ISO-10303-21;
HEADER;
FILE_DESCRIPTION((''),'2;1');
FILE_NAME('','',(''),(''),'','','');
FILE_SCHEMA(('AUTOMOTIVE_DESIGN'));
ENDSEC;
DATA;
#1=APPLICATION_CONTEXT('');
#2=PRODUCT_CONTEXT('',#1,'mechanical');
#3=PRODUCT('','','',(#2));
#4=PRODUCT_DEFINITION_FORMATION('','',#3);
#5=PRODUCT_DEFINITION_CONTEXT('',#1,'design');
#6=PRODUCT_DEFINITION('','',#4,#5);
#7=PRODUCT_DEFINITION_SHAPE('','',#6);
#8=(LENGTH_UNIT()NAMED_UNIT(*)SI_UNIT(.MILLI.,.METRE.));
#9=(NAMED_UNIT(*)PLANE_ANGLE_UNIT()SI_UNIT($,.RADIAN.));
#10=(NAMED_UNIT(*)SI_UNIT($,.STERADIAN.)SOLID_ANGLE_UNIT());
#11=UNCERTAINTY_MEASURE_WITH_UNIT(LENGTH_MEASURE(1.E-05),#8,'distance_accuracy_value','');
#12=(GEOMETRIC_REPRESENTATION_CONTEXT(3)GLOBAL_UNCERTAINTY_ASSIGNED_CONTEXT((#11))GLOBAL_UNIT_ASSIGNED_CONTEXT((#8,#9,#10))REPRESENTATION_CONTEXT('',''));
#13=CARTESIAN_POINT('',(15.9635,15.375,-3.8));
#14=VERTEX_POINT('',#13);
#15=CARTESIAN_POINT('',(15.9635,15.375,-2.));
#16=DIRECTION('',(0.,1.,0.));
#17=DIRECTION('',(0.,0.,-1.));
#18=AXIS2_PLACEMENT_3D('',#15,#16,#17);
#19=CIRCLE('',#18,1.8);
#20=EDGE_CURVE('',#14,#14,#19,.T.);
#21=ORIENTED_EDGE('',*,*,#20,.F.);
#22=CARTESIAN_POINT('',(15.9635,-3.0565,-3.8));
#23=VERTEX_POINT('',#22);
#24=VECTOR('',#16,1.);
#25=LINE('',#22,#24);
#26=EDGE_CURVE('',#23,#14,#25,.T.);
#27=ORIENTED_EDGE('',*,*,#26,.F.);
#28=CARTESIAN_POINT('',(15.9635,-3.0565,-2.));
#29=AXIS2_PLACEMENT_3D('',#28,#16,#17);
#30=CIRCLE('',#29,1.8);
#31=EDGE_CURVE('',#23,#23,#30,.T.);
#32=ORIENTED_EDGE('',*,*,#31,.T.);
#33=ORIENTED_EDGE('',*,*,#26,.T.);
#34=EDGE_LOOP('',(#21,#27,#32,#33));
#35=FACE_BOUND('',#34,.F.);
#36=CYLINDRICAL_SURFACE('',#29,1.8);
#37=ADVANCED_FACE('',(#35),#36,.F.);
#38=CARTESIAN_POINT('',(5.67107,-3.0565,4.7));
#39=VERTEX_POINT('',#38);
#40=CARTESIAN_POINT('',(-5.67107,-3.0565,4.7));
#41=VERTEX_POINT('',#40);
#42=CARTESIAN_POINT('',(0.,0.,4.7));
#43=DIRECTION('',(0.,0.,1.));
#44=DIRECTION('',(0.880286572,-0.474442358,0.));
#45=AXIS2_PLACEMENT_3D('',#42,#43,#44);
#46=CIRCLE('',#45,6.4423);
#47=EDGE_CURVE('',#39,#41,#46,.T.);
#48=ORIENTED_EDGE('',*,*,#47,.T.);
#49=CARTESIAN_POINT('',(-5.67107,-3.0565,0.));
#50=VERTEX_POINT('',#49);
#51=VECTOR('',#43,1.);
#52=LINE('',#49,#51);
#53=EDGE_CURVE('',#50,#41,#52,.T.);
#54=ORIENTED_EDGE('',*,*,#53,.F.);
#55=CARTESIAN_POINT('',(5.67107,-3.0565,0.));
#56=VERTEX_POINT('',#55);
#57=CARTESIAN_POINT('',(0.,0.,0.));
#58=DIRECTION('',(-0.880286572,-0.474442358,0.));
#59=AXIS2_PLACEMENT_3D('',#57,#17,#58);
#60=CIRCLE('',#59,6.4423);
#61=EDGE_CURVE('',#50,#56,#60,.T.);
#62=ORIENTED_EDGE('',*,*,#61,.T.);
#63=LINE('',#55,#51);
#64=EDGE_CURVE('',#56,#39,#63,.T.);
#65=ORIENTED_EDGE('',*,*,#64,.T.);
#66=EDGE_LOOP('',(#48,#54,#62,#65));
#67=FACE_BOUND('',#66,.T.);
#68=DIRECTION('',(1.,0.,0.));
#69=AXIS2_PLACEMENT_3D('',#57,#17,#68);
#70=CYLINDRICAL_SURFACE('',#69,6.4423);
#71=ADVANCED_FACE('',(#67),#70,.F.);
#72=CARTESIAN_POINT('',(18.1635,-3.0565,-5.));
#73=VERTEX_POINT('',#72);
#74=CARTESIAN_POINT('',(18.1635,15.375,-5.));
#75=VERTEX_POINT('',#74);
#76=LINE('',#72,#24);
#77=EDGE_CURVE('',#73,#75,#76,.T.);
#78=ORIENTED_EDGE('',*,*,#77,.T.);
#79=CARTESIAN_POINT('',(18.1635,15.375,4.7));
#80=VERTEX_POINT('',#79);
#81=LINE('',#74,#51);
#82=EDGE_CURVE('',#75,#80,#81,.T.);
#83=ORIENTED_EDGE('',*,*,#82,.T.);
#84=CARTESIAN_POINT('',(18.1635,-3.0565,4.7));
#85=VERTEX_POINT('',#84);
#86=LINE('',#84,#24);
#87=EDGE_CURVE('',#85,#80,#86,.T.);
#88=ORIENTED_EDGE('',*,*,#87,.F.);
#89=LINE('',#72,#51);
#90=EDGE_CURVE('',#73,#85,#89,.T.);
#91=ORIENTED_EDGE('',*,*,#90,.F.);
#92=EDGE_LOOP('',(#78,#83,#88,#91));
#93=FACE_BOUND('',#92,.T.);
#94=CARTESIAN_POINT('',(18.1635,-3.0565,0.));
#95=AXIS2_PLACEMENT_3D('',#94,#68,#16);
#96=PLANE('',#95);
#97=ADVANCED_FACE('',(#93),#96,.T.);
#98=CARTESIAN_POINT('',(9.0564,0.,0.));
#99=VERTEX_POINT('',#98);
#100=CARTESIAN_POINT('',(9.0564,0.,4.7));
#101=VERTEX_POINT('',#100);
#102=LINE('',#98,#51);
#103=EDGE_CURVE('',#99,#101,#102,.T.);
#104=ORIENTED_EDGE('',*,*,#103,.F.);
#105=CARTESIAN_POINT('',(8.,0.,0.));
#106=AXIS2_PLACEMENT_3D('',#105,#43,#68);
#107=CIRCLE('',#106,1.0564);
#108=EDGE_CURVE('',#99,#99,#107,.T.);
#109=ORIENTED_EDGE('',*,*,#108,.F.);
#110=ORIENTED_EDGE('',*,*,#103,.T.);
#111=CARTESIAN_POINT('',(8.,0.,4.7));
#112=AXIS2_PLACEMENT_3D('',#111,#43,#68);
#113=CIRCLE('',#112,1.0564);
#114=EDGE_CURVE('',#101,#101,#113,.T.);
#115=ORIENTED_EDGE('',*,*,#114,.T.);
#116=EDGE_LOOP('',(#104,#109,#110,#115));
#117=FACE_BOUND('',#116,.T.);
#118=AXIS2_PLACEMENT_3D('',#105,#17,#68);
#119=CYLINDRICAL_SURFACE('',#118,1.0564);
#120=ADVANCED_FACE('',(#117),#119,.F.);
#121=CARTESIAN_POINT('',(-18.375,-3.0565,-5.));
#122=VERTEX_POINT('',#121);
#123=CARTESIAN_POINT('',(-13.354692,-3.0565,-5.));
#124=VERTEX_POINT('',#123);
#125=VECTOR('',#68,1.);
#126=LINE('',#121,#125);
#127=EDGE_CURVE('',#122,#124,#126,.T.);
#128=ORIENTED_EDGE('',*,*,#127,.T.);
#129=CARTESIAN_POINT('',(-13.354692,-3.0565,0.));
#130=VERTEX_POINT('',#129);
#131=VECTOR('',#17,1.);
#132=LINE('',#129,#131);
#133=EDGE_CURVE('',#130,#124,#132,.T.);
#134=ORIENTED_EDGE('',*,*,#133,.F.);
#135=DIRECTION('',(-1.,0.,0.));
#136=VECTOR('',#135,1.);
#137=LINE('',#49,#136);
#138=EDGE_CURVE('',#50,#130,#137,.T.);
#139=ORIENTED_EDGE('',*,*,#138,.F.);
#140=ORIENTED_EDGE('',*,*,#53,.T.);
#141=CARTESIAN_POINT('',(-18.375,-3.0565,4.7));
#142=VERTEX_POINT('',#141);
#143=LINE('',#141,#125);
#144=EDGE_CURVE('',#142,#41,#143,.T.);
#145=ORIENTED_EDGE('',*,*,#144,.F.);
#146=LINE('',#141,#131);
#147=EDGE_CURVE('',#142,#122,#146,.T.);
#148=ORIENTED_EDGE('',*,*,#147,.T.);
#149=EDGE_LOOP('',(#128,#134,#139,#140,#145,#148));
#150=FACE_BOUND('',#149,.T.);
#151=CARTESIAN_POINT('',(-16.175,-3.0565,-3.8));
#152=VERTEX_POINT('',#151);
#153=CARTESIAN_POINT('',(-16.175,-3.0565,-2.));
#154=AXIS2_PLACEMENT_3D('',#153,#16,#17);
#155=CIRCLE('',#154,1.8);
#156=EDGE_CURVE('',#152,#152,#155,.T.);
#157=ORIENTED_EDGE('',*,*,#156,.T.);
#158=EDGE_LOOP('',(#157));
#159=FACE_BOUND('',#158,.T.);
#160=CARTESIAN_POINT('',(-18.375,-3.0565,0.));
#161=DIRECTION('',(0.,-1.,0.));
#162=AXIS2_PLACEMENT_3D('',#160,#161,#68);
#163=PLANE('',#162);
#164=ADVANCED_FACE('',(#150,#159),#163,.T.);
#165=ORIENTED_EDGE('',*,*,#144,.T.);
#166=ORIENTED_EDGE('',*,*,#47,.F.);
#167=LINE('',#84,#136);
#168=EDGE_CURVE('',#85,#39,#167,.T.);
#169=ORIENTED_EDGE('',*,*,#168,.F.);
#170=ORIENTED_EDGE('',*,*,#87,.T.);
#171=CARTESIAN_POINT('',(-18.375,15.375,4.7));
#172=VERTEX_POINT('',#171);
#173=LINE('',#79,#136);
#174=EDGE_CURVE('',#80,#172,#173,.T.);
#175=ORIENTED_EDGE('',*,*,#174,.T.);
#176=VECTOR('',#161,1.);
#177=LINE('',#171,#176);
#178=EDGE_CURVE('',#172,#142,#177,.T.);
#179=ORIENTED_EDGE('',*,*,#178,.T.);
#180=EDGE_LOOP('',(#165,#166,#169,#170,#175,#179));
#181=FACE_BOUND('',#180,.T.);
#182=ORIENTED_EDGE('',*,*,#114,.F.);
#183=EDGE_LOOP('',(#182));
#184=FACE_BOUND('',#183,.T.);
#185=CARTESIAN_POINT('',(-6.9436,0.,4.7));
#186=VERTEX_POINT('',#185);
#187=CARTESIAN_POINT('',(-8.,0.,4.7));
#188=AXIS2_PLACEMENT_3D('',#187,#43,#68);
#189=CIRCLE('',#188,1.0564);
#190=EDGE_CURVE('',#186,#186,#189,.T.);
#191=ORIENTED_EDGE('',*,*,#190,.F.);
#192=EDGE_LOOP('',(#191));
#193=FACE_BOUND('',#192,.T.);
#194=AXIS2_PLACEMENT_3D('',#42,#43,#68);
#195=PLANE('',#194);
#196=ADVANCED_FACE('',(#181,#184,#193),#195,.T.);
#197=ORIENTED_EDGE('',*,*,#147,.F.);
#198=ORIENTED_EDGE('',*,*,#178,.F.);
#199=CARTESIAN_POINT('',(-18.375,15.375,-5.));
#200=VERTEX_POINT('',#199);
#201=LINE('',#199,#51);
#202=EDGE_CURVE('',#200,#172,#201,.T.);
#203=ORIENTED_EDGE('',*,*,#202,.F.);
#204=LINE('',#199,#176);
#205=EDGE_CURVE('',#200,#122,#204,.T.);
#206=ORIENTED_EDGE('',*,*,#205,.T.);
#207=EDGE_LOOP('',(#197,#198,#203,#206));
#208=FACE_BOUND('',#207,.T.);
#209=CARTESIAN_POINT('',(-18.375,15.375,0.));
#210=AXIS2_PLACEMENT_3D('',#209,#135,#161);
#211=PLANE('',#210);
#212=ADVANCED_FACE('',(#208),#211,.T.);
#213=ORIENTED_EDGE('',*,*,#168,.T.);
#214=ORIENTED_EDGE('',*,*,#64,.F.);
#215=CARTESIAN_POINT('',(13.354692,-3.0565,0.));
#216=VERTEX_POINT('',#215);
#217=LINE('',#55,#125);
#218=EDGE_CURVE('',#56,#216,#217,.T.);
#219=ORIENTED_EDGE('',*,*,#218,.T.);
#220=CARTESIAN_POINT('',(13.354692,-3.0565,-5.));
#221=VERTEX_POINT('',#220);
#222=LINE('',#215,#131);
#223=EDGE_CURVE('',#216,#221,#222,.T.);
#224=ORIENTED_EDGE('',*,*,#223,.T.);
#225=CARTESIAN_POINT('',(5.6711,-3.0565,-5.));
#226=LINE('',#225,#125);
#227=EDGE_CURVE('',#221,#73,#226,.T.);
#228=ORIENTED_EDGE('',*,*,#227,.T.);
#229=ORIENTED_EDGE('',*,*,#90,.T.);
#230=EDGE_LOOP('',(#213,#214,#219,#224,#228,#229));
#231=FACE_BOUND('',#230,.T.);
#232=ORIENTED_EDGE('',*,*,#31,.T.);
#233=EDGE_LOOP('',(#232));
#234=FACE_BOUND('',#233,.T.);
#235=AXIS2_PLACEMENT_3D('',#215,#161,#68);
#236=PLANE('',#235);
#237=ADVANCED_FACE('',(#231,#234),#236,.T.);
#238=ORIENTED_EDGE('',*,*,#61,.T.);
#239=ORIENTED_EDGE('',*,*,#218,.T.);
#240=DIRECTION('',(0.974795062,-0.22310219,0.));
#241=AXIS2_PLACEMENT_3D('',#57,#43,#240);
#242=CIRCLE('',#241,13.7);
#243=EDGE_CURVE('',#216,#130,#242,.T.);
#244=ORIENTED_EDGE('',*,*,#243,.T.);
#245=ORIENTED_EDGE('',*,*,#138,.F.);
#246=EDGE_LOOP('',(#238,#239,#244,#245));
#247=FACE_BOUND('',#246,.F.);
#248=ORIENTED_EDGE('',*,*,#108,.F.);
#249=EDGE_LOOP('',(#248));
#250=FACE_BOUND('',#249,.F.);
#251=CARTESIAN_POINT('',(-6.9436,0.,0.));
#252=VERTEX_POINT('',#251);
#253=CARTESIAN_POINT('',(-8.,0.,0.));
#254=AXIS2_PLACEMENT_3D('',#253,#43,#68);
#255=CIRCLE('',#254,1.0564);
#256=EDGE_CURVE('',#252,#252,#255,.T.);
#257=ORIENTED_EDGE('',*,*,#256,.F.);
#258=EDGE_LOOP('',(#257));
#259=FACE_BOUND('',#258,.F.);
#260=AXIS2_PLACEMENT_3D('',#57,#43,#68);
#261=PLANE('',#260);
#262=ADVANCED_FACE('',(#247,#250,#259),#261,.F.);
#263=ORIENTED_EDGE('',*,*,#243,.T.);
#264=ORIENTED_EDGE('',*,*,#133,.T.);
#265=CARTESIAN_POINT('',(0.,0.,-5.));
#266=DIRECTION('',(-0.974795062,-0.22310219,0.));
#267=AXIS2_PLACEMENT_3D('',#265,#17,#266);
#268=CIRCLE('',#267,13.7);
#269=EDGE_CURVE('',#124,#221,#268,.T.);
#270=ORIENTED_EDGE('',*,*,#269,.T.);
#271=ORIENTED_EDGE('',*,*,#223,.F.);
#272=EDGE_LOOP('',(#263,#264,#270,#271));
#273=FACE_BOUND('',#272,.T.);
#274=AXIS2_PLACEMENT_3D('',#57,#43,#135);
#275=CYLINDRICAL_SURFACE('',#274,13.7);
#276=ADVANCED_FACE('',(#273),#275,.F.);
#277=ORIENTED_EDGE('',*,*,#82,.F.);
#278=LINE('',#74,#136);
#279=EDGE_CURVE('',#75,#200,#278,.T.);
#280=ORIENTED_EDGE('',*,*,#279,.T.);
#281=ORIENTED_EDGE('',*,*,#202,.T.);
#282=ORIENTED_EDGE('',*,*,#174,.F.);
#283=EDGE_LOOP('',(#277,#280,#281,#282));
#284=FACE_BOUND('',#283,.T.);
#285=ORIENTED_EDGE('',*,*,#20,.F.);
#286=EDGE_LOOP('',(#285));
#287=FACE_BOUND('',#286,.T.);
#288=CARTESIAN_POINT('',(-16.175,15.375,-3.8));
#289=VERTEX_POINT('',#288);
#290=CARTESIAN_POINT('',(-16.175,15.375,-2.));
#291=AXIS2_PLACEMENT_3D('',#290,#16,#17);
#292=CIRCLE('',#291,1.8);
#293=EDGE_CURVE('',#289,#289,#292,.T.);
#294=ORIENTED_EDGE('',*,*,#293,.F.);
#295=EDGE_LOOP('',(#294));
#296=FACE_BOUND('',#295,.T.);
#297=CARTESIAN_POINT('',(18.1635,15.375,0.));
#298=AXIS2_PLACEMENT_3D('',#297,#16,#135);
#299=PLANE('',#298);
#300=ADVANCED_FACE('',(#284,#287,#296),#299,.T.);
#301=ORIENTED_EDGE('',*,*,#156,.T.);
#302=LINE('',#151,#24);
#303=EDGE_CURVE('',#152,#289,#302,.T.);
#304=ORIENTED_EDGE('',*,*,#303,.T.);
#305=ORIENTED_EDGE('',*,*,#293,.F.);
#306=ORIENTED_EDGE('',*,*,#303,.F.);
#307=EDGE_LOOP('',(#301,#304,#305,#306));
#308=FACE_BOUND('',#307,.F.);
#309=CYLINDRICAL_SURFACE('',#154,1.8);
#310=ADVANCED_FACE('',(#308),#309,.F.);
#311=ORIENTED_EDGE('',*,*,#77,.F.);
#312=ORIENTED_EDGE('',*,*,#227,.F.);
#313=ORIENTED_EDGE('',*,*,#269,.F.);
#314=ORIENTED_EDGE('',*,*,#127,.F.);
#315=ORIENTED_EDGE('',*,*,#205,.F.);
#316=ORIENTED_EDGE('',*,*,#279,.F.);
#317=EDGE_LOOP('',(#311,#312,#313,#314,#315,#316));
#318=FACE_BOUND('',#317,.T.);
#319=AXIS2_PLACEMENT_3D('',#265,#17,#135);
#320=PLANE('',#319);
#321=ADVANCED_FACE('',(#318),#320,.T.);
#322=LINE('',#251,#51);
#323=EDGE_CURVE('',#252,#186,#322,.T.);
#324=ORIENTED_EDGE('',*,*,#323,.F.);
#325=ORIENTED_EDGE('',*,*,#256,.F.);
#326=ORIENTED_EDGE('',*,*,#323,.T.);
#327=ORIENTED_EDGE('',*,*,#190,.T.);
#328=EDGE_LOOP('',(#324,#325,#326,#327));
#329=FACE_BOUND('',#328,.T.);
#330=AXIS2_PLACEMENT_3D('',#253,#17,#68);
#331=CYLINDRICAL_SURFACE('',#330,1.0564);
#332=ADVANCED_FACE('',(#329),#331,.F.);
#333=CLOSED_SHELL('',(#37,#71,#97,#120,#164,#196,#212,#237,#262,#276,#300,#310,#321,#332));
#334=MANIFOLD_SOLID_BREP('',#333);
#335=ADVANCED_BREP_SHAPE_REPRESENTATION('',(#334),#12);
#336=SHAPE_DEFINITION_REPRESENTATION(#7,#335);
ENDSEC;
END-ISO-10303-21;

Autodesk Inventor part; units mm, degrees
ref_plane "YZ Plane" through (0, 0, 0) normal (1, 0, 0) x (0, 1, 0)
ref_plane "Work Plane1" through (0, 0, 0) normal (0, 0, 1) x (1, 0, 0)
sketch "Sketch1" plane through (0, 0, 0) normal (0, 0, 1) x (1, 0, 0)
  circle A0 centre (8, 0) radius 1.0564 projected
  circle A1 centre (-8, 0) radius 1.0564 projected
  circle A2 centre (0, 0) radius 5 projected
  circle A3 centre (0, 0) radius 13.7 projected
  line L0 (-18.375, 15.375) -> (-18.375, 1) projected
  line L1 (-18.375, 1) -> (-13.6635, 1) projected
  arc A4 (13.6635, 1) -> (-13.6635, 1) centre (0, 0) ccw projected
  line L2 (13.6635, 1) -> (18.1635, 1) projected
  line L3 (18.1635, 1) -> (18.1635, 15.375) projected
  line L4 (18.1635, 15.375) -> (-18.375, 15.375) projected
  line L5 (18.1635, 15.375) -> (-18.375, 15.375)
  line L6 (-18.375, 15.375) -> (-18.375, -3.0565)
  line L7 (-18.375, -3.0565) -> (18.1635, -3.0565)
  line L8 (18.1635, -3.0565) -> (18.1635, 15.375)
  line L9 (18.1635, -5.0565) -> (12.7327, -5.0565) projected
  circle A5 centre (0, 0) radius 6.4423
  arc A6 (2.7565, 5.1523) -> (1.2674, 3.6504) centre (5.3281, 1.1135) ccw projected
  arc A7 (1.2674, 3.6504) -> (0.6807, 3.8037) centre (0, 0) ccw projected
  arc A8 (0.6807, 3.8037) -> (0.1169, 5.8421) centre (-4.102, 3.578) ccw projected
  arc A9 (0.1169, 5.8421) -> (-0.7984, 5.7885) centre (0, 0) ccw projected
  arc A10 (-0.7984, 5.7885) -> (-1.1203, 3.6981) centre (3.6561, 4.0326) ccw projected
  arc A11 (-1.1203, 3.6981) -> (-1.685, 3.4774) centre (0, 0) ccw projected
  arc A12 (-1.685, 3.4774) -> (-3.3393, 4.7951) centre (-5.4217, 0.4836) ccw projected
  arc A13 (-3.3393, 4.7951) -> (-4.0483, 4.2137) centre (0, 0) ccw projected
  arc A14 (-4.0483, 4.2137) -> (-3.0801, 2.3334) centre (0.5875, 5.4114) ccw projected
  arc A15 (-3.0801, 2.3334) -> (-3.4072, 1.8228) centre (0, 0) ccw projected
  arc A16 (-3.4072, 1.8228) -> (-5.52, 1.9165) centre (-4.6705, -2.7956) ccw projected
  arc A17 (-5.52, 1.9165) -> (-5.7519, 1.0294) centre (0, 0) ccw projected
  arc A18 (-5.7519, 1.0294) -> (-3.8633, 0.0773) centre (-2.7054, 4.7233) ccw projected
  arc A19 (-3.8633, 0.0773) -> (-3.8279, -0.528) centre (0, 0) ccw projected
  arc A20 (-3.8279, -0.528) -> (-5.5923, -1.6941) centre (-2.1353, -5.0069) ccw projected
  arc A21 (-5.5923, -1.6941) -> (-5.2584, -2.5481) centre (0, 0) ccw projected
  arc A22 (-5.2584, -2.5481) -> (-3.171, -2.2083) centre (-4.965, 2.231) ccw projected
  arc A23 (-3.171, -2.2083) -> (-2.7865, -2.6771) centre (0, 0) ccw projected
  arc A24 (-2.7865, -2.6771) -> (-3.5285, -4.6576) centre (1.2155, -5.3058) ccw projected
  arc A25 (-3.5285, -4.6576) -> (-2.7565, -5.1523) centre (0, 0) ccw projected
  arc A26 (-2.7565, -5.1523) -> (-1.2674, -3.6504) centre (-5.3281, -1.1135) ccw projected
  arc A27 (-1.2674, -3.6504) -> (-0.6807, -3.8037) centre (0, 0) ccw projected
  arc A28 (-0.6807, -3.8037) -> (-0.1169, -5.8421) centre (4.102, -3.578) ccw projected
  arc A29 (-0.1169, -5.8421) -> (0.7984, -5.7885) centre (0, 0) ccw projected
  arc A30 (0.7984, -5.7885) -> (1.1203, -3.6981) centre (-3.6561, -4.0326) ccw projected
  arc A31 (1.1203, -3.6981) -> (1.685, -3.4774) centre (0, 0) ccw projected
  arc A32 (1.685, -3.4774) -> (3.3393, -4.7951) centre (5.4217, -0.4836) ccw projected
  arc A33 (3.3393, -4.7951) -> (4.0483, -4.2137) centre (0, 0) ccw projected
  arc A34 (4.0483, -4.2137) -> (3.0801, -2.3334) centre (-0.5875, -5.4114) ccw projected
  arc A35 (3.0801, -2.3334) -> (3.4072, -1.8228) centre (0, 0) ccw projected
  arc A36 (3.4072, -1.8228) -> (5.52, -1.9165) centre (4.6705, 2.7956) ccw projected
  arc A37 (5.52, -1.9165) -> (5.7519, -1.0294) centre (0, 0) ccw projected
  arc A38 (5.7519, -1.0294) -> (3.8633, -0.0773) centre (2.7054, -4.7233) ccw projected
  arc A39 (3.8633, -0.0773) -> (3.8279, 0.528) centre (0, 0) ccw projected
  arc A40 (3.8279, 0.528) -> (5.5923, 1.6941) centre (2.1353, 5.0069) ccw projected
  arc A41 (5.5923, 1.6941) -> (5.2584, 2.5481) centre (0, 0) ccw projected
  arc A42 (5.2584, 2.5481) -> (3.171, 2.2083) centre (4.965, -2.231) ccw projected
  arc A43 (3.171, 2.2083) -> (2.7865, 2.6771) centre (0, 0) ccw projected
  arc A44 (2.7865, 2.6771) -> (3.5285, 4.6576) centre (-1.2155, 5.3058) ccw projected
  arc A45 (3.5285, 4.6576) -> (2.7565, 5.1523) centre (0, 0) ccw projected
  point P0 (-5.6711, -3.0565)
  point P1 (-6.9927, -0.3186)
  point P2 (-6.9927, 0.3186)
  point P3 (6.9927, 0.3186)
  point P4 (6.9927, -0.3186)
  point P5 (5.6711, -3.0565)
  point P6 (0.3418, -6.4333)
  point P7 (0.3418, -5.8333)
  dimension "d0" = 2
  dimension "d4" = 0.6
ref_plane "Work Plane2" through (-70.375, 15.375, 4.7) normal (0, 0, -1) x (0, 1, 0)
extrude "Extrusion1" add sketch "Sketch1" along normal up to surface (4.7 mm away) contours A5 L7 A3 | A3 L2 L8 L7 | L7 L6 L1 A3 | A3 L1 L0 L4 L3 L2 picked at (8.5523, 7.2456)
sketch "Sketch2" plane through (0, 0, 0) normal (0, 0, -1) x (-1, 0, 0)
  circle A0 centre (-8, 0) radius 1.0564 projected
  circle A1 centre (8, 0) radius 1.0564 projected
  circle A2 centre (0, 0) radius 5 projected
  circle A3 centre (0, 0) radius 13.7 projected
  line L0 (-5.6711, -3.0565) -> (-18.1635, -3.0565) projected
  arc A4 (5.6711, -3.0565) -> (-5.6711, -3.0565) centre (0, 0) ccw projected
  line L1 (18.375, -3.0565) -> (5.6711, -3.0565) projected
  line L2 (18.375, 15.375) -> (18.375, -3.0565) projected
  line L3 (-18.1635, 15.375) -> (18.375, 15.375) projected
  line L4 (-18.1635, -3.0565) -> (-18.1635, 15.375) projected
  circle A5 centre (-8, 0) radius 1.0564 projected
  circle A6 centre (8, 0) radius 1.0564 projected
  point P0 (-13.3547, -3.0565)
  point P1 (13.3547, -3.0565)
ref_plane "Work Plane3" through (-14.375, -14.375, -5) normal (0, 0, 1) x (1, 0, 0)
extrude "Extrusion2" add sketch "Sketch2" along normal up to surface (5 mm away) contours A3 L0 L4 L3 L2 L1
sketch "Sketch3" plane through (5.6711, -3.0565, 4.7) normal (0, -1, 0) x (1, 0, 0)
  circle A0 centre (10.2923, -6.7) radius 1.8 projected
  circle A1 centre (-21.8461, -6.7) radius 1.8 projected
  point P0 (-5.6711, -4.7)
hole "Hole1" at (15.9635, -3.0565, -2) at (-16.175, -3.0565, -2) direction (0, 1, 0) diameter 3.6 end through all counterbore diameter 11 counterbore depth 0 clearance for "Hex Head Cap Screw ISO 24017" size "M3" standard "ISO"
properties part number "right_motor_floor"
